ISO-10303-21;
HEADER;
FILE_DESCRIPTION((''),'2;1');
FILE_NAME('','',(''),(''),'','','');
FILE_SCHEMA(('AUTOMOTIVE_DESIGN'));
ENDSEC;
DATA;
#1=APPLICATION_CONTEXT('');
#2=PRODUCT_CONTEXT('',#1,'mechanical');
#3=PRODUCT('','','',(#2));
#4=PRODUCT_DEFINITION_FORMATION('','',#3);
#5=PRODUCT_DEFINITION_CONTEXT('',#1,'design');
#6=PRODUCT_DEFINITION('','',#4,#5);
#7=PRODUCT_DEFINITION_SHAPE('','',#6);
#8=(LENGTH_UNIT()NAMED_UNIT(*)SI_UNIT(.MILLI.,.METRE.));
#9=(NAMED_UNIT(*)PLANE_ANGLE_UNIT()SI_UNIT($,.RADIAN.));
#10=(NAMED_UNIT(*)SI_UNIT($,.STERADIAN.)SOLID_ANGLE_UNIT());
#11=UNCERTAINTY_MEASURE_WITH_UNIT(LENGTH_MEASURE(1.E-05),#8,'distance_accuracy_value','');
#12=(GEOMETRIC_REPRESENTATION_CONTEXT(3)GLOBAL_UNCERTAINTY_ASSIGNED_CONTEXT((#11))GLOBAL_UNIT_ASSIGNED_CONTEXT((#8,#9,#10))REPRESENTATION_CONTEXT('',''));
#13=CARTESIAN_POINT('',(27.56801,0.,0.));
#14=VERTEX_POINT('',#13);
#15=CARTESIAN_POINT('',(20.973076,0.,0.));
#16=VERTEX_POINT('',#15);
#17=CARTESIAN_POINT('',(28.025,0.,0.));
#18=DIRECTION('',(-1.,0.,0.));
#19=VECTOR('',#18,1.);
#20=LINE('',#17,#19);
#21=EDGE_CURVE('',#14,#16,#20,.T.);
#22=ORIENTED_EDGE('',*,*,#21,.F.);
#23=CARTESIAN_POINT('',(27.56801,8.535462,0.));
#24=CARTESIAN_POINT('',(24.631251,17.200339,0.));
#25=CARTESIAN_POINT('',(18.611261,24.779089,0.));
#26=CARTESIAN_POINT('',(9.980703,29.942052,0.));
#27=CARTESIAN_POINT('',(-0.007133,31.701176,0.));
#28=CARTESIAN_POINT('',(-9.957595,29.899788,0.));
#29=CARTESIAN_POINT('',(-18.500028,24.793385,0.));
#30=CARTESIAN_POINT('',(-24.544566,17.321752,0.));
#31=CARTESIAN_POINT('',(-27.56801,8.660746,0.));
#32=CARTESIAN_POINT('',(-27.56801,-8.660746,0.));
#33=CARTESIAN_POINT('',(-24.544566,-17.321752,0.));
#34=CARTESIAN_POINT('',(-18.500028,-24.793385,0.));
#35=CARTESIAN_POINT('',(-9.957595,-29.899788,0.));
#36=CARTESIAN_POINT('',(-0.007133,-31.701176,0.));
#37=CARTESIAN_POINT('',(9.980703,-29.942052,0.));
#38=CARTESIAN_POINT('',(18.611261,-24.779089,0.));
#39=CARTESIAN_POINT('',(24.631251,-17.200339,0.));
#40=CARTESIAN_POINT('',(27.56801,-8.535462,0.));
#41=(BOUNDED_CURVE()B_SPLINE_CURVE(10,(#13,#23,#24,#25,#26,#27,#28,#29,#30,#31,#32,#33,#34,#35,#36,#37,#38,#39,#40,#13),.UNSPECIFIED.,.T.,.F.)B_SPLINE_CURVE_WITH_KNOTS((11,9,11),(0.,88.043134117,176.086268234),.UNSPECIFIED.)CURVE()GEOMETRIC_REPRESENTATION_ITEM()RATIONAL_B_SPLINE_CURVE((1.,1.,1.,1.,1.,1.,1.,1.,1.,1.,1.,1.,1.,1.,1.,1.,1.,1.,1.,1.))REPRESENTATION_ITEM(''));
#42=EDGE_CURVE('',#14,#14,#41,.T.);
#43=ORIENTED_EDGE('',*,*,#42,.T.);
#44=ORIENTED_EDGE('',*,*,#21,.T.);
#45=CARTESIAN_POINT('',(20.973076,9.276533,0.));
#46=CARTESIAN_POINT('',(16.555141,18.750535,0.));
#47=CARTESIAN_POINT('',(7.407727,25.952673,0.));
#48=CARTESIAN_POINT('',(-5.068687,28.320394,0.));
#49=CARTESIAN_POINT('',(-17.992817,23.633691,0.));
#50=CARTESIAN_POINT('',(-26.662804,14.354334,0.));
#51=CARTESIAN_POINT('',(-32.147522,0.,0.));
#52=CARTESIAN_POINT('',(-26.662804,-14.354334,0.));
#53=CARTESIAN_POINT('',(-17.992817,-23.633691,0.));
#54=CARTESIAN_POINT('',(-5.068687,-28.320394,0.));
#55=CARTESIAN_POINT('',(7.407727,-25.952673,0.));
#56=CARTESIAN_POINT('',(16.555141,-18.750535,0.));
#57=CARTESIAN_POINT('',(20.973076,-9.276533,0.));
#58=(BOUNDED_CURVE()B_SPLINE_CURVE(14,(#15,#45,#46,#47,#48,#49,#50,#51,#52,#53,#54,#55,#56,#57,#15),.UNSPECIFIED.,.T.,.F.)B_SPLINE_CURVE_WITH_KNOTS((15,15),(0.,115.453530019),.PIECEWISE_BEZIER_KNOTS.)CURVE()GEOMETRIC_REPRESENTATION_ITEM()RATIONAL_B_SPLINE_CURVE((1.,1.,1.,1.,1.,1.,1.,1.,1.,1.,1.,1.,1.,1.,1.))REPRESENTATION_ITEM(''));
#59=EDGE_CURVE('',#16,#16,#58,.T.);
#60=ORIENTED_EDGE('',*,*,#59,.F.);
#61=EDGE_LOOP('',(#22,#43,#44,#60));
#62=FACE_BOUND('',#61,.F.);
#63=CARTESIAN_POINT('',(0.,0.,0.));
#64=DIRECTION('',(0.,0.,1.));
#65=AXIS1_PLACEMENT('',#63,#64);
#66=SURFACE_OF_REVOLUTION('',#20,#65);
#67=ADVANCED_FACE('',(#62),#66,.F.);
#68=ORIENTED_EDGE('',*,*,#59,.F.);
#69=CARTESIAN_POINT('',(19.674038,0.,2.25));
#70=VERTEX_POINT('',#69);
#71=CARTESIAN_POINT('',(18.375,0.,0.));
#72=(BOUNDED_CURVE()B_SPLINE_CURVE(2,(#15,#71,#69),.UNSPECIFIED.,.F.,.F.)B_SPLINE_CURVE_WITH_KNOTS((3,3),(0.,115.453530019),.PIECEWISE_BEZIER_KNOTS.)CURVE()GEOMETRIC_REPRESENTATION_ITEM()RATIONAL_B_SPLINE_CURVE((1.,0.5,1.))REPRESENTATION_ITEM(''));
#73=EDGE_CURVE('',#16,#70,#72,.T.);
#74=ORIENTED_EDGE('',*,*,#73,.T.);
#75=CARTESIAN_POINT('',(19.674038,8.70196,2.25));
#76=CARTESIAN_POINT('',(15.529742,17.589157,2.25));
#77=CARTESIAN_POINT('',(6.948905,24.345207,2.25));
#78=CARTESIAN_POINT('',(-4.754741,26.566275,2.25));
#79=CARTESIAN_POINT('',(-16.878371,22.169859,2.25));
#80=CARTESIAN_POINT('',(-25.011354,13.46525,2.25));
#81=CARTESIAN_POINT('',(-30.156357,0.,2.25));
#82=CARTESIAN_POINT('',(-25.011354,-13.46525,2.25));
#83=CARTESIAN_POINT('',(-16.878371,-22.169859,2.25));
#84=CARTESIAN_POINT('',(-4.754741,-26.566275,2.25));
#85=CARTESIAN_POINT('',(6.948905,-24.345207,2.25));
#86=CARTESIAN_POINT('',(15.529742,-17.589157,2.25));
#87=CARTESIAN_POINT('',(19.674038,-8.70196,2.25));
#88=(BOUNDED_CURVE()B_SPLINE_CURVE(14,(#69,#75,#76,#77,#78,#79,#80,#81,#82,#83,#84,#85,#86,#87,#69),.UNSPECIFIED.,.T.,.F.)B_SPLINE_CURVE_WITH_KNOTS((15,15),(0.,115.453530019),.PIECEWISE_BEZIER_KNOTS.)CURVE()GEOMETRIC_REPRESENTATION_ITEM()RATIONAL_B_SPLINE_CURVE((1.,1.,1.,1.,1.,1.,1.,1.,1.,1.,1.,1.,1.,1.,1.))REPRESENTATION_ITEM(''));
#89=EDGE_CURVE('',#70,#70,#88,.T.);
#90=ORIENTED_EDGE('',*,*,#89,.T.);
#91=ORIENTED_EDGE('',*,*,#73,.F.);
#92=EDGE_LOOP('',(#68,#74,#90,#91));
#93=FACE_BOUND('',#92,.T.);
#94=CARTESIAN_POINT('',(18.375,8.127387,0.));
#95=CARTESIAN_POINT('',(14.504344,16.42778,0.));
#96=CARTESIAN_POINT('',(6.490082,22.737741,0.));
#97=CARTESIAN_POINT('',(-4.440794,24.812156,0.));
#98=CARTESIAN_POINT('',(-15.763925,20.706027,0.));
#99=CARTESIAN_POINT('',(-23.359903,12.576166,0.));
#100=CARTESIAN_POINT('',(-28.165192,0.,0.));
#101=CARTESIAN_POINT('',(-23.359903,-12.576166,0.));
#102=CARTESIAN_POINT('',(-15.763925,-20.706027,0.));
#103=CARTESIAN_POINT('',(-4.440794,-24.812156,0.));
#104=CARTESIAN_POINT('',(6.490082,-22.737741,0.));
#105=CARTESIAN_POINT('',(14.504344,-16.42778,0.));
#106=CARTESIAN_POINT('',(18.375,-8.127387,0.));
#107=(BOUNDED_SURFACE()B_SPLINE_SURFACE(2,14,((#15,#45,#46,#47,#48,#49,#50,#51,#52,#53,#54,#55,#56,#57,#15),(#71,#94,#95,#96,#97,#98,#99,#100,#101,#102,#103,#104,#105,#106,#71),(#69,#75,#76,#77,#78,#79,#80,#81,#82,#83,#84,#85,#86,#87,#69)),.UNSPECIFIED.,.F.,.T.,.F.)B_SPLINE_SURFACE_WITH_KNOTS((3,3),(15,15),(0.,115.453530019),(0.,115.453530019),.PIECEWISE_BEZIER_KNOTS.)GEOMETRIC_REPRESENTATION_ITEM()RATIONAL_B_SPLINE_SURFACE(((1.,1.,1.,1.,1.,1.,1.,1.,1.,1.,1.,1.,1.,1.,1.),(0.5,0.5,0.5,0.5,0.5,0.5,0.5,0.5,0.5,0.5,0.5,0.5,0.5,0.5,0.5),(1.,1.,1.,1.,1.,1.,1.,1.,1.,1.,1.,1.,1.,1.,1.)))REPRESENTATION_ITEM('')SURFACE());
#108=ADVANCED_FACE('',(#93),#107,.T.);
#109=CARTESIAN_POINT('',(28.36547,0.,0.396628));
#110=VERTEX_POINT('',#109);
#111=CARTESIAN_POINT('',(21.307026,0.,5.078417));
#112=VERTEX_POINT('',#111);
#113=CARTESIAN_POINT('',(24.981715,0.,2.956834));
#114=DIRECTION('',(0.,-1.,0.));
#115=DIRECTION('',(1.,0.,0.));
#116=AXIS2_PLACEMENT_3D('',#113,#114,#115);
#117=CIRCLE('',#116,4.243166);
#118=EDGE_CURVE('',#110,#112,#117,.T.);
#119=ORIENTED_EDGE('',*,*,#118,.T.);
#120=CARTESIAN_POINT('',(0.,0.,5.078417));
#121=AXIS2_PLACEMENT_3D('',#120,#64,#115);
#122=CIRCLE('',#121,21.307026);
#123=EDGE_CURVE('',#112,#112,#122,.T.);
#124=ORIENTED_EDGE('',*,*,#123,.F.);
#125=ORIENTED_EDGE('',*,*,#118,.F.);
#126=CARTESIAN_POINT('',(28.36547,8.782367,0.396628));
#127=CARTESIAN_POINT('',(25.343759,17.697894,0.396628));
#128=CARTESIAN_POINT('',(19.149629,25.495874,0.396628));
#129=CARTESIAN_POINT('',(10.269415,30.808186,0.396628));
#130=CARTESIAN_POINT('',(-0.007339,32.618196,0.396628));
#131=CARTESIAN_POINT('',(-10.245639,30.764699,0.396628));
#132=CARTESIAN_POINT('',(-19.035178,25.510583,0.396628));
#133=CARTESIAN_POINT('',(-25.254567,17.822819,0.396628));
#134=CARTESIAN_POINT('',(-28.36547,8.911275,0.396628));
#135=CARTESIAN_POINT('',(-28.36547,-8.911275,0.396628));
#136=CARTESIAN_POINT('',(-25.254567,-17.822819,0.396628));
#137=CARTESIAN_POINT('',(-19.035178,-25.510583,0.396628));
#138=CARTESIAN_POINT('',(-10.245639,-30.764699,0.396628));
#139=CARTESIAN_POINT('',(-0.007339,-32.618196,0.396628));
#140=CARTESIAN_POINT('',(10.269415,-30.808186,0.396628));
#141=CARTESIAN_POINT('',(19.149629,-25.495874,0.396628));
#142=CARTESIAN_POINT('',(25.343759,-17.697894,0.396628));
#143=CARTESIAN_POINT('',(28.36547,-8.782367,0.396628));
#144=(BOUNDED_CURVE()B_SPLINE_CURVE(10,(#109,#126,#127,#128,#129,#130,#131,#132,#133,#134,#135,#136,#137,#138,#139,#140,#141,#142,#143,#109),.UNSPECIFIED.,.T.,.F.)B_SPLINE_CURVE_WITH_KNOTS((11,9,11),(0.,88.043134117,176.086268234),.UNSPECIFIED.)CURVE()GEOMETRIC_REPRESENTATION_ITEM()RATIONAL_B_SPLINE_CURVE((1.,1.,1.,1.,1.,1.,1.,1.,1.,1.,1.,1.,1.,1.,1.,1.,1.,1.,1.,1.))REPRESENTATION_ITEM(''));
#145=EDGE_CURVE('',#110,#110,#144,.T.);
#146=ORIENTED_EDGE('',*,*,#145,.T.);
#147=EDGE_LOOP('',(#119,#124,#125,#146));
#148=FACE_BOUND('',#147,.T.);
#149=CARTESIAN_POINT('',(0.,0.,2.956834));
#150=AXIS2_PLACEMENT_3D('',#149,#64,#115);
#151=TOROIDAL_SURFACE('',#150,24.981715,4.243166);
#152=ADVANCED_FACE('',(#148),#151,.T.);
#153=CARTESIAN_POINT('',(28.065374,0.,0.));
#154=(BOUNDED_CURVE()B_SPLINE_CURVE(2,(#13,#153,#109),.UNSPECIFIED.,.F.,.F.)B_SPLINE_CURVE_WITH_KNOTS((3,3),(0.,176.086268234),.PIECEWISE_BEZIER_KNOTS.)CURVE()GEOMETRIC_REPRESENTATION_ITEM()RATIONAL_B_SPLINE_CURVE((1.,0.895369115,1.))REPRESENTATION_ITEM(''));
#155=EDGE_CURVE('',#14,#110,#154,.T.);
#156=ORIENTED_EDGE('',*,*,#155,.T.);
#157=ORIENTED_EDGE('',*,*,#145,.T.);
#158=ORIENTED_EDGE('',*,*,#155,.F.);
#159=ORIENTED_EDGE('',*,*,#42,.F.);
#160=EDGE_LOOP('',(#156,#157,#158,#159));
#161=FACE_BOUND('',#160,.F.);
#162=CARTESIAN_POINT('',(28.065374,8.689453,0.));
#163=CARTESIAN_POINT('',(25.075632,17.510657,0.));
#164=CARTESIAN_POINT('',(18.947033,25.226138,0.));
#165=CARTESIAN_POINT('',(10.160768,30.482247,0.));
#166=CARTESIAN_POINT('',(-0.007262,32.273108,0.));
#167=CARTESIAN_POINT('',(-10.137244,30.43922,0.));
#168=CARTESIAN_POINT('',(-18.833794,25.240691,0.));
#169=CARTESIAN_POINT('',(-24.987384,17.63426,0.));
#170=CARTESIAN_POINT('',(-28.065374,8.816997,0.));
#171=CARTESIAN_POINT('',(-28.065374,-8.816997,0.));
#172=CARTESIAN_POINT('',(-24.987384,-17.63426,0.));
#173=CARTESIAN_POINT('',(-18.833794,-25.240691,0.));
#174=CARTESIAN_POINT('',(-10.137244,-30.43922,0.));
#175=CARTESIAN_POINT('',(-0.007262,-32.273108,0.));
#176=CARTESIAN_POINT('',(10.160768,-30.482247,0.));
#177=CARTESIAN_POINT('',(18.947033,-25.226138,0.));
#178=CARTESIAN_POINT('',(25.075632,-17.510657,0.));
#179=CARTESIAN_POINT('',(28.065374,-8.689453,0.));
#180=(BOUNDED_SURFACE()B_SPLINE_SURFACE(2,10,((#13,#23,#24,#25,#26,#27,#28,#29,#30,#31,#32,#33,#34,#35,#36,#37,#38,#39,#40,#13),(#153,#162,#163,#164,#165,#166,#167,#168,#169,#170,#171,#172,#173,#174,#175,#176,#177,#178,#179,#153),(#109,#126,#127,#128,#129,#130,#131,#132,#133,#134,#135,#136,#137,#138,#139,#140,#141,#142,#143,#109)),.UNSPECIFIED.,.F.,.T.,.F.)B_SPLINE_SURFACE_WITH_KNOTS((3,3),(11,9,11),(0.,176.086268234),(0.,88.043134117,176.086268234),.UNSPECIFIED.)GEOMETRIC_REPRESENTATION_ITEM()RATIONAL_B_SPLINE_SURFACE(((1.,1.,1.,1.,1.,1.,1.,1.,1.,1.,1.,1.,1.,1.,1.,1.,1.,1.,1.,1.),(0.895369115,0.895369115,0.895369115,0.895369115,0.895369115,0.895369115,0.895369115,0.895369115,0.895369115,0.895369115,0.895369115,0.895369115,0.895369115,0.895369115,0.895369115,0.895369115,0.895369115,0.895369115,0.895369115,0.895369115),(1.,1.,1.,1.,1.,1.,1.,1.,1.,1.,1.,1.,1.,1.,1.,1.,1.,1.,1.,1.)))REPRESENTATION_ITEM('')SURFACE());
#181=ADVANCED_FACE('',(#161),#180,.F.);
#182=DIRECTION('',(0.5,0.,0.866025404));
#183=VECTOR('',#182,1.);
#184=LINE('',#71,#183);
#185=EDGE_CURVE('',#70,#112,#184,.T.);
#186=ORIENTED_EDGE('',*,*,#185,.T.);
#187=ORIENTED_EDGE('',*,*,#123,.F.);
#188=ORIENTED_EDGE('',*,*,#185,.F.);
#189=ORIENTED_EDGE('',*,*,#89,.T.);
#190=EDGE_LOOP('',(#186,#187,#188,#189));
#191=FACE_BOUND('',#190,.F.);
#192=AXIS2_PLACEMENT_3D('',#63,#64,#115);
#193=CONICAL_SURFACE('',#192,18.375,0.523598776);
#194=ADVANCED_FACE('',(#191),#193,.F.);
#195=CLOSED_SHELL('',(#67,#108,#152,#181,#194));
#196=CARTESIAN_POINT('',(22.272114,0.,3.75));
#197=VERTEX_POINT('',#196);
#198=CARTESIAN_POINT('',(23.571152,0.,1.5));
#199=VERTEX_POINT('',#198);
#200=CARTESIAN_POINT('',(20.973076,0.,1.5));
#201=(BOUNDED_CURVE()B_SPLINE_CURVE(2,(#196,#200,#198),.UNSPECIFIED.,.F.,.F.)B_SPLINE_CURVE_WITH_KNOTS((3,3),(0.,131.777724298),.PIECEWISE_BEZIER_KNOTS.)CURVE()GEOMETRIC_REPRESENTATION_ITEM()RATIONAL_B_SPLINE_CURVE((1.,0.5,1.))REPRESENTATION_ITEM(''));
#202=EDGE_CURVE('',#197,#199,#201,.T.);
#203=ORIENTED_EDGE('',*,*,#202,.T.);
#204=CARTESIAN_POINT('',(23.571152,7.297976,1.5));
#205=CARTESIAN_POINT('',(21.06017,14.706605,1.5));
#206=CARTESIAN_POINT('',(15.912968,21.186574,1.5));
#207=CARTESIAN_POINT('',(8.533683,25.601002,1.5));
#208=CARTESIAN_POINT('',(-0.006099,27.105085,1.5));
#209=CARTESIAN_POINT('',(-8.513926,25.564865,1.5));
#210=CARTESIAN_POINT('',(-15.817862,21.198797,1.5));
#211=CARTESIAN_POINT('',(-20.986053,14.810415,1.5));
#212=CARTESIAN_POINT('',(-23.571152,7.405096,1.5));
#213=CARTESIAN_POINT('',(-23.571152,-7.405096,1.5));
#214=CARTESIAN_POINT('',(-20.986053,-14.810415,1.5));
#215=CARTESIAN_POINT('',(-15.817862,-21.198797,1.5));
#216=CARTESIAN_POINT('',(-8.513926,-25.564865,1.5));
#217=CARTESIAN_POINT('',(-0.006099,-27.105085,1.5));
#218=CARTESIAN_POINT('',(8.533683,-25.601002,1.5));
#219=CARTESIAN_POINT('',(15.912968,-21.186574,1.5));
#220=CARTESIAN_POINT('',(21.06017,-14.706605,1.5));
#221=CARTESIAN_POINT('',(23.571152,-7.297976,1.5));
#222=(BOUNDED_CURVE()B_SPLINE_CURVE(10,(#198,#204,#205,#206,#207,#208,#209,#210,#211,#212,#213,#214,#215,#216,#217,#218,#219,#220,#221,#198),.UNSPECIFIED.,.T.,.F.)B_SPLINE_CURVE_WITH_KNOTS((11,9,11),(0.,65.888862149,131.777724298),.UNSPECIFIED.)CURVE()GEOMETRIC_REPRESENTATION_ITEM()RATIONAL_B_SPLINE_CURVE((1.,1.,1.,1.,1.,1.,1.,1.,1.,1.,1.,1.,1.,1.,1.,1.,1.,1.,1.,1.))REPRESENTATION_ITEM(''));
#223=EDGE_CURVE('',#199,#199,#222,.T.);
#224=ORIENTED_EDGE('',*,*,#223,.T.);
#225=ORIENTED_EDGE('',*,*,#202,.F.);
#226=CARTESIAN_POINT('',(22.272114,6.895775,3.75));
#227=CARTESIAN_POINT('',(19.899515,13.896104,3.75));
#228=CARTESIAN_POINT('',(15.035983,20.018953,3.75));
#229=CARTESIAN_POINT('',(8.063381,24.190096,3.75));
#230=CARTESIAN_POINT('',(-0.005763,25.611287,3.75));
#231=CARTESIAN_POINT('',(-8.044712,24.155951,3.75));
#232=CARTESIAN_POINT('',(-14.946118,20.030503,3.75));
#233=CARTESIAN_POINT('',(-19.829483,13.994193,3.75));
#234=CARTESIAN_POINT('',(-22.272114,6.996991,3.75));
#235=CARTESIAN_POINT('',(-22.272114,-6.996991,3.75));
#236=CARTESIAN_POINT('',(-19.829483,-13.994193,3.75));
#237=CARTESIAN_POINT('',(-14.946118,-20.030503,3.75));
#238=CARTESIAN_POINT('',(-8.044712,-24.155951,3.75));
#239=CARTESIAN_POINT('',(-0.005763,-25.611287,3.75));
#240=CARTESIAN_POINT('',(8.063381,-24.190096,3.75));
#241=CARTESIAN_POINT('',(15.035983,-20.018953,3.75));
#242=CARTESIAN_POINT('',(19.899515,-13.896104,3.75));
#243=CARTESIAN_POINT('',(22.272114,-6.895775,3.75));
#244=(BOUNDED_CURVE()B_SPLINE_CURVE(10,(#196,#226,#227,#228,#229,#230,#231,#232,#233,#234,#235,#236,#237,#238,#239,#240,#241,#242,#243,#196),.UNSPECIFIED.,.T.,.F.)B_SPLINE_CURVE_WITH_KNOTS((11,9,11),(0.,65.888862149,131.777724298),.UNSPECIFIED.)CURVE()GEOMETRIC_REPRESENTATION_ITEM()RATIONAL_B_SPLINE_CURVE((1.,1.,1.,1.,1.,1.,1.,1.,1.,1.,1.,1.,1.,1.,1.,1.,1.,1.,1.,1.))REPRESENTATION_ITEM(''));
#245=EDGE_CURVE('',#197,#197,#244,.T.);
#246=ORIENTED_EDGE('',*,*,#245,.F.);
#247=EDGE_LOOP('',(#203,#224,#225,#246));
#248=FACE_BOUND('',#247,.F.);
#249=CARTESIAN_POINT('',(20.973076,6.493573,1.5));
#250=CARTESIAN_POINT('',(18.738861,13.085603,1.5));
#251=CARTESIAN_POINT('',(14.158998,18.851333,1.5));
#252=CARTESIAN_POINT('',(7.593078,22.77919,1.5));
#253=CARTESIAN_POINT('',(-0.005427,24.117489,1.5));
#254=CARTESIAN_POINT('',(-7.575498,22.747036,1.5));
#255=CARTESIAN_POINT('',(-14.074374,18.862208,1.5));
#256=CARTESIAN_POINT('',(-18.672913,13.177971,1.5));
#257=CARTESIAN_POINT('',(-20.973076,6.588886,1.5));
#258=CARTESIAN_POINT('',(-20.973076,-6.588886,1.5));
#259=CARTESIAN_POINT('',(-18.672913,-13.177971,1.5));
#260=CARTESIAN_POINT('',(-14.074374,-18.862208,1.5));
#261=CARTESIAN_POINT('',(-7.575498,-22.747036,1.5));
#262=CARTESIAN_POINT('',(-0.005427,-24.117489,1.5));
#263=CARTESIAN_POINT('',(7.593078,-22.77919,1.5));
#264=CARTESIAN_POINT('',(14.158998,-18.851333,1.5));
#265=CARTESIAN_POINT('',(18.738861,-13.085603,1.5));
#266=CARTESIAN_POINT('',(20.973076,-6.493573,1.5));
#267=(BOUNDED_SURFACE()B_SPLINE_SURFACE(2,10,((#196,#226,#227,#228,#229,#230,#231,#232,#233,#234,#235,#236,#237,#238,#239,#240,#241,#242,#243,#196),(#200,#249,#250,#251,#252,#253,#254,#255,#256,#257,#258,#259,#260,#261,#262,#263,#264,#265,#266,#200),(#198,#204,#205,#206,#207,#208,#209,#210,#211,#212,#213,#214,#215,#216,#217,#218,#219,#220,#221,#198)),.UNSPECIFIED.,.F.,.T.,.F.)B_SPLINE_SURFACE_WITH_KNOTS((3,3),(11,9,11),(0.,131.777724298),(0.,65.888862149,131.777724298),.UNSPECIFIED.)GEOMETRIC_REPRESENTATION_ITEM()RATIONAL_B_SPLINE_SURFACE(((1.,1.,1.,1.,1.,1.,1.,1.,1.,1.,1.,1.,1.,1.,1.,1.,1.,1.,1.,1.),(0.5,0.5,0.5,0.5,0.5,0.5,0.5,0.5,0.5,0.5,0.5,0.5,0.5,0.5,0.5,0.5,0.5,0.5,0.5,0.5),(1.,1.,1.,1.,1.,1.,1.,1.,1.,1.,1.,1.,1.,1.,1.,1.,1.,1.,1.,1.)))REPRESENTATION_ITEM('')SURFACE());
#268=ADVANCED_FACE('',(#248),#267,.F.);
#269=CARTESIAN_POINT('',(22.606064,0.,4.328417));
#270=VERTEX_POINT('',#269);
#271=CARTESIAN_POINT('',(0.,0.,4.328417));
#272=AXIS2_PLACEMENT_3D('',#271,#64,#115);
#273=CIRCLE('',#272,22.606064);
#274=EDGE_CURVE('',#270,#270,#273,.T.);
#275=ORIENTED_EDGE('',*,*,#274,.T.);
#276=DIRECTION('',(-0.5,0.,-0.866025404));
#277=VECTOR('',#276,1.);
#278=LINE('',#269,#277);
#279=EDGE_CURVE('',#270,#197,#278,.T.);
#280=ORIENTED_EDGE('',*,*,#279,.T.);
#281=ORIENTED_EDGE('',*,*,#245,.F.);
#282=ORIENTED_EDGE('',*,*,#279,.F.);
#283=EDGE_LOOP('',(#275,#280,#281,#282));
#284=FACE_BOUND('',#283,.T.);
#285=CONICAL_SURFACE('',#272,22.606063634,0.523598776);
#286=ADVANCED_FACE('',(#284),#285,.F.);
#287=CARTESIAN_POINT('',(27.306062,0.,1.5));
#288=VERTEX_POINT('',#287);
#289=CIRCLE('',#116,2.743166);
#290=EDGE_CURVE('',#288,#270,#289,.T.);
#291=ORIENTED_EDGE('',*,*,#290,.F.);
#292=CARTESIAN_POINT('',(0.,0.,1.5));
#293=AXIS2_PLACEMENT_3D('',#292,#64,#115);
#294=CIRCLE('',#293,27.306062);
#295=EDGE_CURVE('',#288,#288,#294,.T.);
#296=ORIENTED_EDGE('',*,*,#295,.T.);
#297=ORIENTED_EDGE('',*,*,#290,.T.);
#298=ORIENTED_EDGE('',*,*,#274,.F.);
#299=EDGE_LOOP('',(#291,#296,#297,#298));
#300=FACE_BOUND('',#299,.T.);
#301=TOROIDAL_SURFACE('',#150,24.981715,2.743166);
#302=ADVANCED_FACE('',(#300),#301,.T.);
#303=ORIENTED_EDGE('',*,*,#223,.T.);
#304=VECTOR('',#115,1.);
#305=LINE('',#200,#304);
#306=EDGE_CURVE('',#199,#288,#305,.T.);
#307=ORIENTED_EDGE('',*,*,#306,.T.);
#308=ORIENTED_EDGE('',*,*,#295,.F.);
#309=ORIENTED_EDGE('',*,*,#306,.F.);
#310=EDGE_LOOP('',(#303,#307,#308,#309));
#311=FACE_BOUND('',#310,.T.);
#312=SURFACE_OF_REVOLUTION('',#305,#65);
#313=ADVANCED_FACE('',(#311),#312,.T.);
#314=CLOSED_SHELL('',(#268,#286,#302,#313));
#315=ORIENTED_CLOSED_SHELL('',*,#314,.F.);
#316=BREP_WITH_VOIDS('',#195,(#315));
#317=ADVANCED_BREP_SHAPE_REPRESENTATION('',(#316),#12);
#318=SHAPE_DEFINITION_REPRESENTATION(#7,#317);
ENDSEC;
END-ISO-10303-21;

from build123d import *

# Parameters (mm, degrees)
F4_R = 1.5
F5_R = 1
F6_R = 1.5


with BuildPart() as f3:
    # F3: sweep along a path in F0
    with BuildLine(Plane.XY) as f3_path:
        CenterArc((0, 0), 18.375, 0, 360)
    # F2 (on Right) → F3 (sweep)
    with BuildSketch(Plane.YZ):
        with BuildLine():
            Line((-18.375, 0), (-21.3070255288, 5.078417185))
            ThreePointArc((-21.3070255288, 5.078417185), (-27.5404738358, 6.3416839293), (-28.025, 0))
            Line((-28.025, 0), (-18.375, 0))
        make_face()
        with BuildLine():
            Line((-20.9730762114, 1.5), (-27.3060622549, 1.5))
            ThreePointArc((-27.3060622549, 1.5), (-26.3961559746, 5.3072202351), (-22.6060636345, 4.328417185))
            Line((-22.6060636345, 4.328417185), (-20.9730762114, 1.5))
        make_face(mode=Mode.SUBTRACT)
    sweep(path=f3_path.line)

    # F4
    f4_edges = [f3.edges().sort_by_distance(p)[0] for p in [
        (-20.973076, 0, 1.5),
    ]]
    fillet(f4_edges, radius=F4_R)

    # F5
    f5_edges = [f3.edges().sort_by_distance(p)[0] for p in [
        (-28.025, 0, 0),
    ]]
    fillet(f5_edges, radius=F5_R)

    # F6
    f6_edges = [f3.edges().sort_by_distance(p)[0] for p in [
        (-18.375, 0, 0),
    ]]
    fillet(f6_edges, radius=F6_R)


solid = f3.part
